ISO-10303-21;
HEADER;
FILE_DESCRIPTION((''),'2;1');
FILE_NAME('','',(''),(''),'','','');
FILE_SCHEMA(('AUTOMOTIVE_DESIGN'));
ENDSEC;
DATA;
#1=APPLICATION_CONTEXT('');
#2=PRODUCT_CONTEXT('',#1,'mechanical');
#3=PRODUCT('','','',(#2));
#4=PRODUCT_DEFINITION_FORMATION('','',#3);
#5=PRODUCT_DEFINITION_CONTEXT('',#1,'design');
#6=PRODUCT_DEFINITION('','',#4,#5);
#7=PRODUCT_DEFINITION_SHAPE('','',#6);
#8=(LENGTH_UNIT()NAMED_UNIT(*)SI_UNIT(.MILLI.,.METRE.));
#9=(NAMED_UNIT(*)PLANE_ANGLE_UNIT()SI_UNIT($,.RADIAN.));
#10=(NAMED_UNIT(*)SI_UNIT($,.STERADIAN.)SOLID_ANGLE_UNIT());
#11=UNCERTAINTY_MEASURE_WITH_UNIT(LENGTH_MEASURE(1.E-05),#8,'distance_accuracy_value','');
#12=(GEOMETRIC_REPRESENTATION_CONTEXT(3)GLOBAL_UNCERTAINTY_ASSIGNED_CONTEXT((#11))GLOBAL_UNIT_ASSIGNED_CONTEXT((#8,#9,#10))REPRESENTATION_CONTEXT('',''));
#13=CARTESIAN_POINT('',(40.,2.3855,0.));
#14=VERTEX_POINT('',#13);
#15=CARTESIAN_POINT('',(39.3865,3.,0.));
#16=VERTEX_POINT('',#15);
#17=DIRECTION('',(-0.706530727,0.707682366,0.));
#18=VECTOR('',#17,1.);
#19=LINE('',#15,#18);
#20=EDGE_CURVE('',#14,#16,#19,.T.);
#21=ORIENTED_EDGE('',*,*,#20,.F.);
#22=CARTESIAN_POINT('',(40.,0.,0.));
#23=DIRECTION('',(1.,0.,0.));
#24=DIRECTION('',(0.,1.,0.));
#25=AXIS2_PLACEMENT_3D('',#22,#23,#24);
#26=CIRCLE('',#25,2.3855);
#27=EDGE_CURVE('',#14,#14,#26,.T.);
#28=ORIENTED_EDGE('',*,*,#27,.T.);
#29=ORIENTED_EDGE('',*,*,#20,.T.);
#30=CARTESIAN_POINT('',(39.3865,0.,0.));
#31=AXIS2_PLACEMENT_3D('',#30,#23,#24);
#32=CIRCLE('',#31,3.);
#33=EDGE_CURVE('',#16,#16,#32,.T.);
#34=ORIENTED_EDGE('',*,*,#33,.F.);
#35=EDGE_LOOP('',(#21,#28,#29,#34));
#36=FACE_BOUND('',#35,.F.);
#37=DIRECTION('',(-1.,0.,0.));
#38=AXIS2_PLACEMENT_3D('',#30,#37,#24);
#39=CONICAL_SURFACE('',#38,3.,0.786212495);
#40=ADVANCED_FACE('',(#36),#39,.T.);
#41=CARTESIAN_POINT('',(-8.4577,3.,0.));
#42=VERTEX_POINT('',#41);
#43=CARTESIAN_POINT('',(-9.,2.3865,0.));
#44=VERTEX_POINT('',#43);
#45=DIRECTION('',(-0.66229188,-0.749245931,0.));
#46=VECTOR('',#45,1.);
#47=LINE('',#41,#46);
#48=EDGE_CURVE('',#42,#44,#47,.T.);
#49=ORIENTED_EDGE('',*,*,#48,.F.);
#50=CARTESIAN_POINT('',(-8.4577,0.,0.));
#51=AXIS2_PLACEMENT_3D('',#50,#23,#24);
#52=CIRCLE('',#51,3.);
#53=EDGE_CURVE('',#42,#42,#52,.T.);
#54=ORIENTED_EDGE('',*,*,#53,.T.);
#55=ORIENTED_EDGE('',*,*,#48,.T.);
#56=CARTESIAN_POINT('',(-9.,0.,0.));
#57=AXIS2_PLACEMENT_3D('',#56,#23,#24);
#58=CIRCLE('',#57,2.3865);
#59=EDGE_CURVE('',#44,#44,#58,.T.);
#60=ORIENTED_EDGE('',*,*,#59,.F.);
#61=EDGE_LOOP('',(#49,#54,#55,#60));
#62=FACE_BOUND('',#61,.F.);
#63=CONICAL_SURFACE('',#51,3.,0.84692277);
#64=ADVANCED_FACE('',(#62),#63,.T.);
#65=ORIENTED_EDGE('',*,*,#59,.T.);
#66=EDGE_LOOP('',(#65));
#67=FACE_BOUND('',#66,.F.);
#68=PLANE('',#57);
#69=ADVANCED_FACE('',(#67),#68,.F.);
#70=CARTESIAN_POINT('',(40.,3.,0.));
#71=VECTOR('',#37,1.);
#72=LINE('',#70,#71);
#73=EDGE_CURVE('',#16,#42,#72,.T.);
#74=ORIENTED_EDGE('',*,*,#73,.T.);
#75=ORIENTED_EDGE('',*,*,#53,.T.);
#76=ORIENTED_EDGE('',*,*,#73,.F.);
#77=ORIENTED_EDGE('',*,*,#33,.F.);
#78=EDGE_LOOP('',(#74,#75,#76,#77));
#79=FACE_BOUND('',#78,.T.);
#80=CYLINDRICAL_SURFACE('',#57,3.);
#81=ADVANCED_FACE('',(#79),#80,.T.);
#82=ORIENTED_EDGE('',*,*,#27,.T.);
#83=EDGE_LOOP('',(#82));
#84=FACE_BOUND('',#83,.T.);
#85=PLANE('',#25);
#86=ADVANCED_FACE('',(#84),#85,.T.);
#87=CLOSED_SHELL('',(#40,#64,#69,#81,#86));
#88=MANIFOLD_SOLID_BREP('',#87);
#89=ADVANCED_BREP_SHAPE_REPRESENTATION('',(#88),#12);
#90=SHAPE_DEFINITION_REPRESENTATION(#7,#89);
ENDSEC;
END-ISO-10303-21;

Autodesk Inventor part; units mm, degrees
ref_plane "YZ Plane" through (0, 0, 0) normal (1, 0, 0) x (0, 1, 0)
ref_plane "XZ Plane" through (0, 0, 0) normal (0, 1, 0) x (-1, 0, 0)
sketch "Schizzo1" plane through (0, 0, 0) normal (0, 0, 1) x (1, 0, 0)
  line L0 (40, 3) -> (40, 0)
  line L1 (-9, 0) -> (40, 0)
  line L2 (-18.8, 0) -> (49.8, 0) projected
  line L3 (0, 3.6) -> (0, -0.6) projected
  line L4 (-9, 3) -> (-9, 0)
  line L5 (22, 3) -> (22, 0) construction
  line L6 (-18.8, 0) -> (49.8, 0) projected
  line L7 (-9, 3) -> (40, 3)
  dimension "d4" = 9
  dimension "d5" = 40
  dimension "d6" = 18
  dimension "d13" = 6
revolve "Corpo" add sketch "Schizzo1" angle 360 about axis through (-9, 0, 0) along (1, 0, 0)
thread "Filettatura1" size "M6x1" class "6g" standard "ISO Metric profile" length 9
thread "Filettatura2" size "M6x1" class "6g" standard "ISO Metric profile" length 18.6135
chamfer "Smusso1" distance 0.6145 distance2 0.6135 1 edges at (40, -3, 0) measured on face at (40, 1.0659, 1.0214)
chamfer "Smusso2" distance 0.5423 distance2 0.6135 1 edges at (-9, -3, 0) measured on face at (23.2577, 2.9903, -0.2414)
ref_plane "Work Plane1" through (2.75, 0, 0) normal (0, -1, 0) x (1, 0, 0)
equation "\"d4\" = KOH"
equation "\"d5\" = NLG"
equation "\"d6\" = GEL"
equation "\"d13\" = GD"
equation "\"d1\" = KOH"
equation "\"d7\" = GEL + GAL"
equation "\"d10\" = -0.5 * SPD + 0.5 * GD"
equation "\"d12\" = -0.5 * SPD + 0.5 * GD"
equation "\"NLG\" = 40"
equation "\"GEL\" = 18"
equation "\"GAL\" = 0.61345 * PTC"
equation "\"SPD\" = NND - 1.2269 * PTC"
equation "\"d0\" = GD"
equation "\"GUL\" = 0.61345 * PTC"
equation "\"KOH\" = 9"
equation "\"GD\" = NND"
equation "\"BDM\" = NND"
equation "\"GUL1\" = 0.54127"
equation "\"GAL1\" = 1"
equation "\"d80\" = -GUL - GEL"
equation "\"d86\" = -KOH + GUL1"
equation "\"PTC\" = 1"
equation "\"THREADDIA\" = 6"
equation "\"TOA\" = 30deg"
equation "\"NND\" = 6"
equation "\"GD1\" = THREADDIA - 1.2269 * PTC"
properties part number "UNI 5909 - M6 x 40" material "Acciaio, Dolce"
